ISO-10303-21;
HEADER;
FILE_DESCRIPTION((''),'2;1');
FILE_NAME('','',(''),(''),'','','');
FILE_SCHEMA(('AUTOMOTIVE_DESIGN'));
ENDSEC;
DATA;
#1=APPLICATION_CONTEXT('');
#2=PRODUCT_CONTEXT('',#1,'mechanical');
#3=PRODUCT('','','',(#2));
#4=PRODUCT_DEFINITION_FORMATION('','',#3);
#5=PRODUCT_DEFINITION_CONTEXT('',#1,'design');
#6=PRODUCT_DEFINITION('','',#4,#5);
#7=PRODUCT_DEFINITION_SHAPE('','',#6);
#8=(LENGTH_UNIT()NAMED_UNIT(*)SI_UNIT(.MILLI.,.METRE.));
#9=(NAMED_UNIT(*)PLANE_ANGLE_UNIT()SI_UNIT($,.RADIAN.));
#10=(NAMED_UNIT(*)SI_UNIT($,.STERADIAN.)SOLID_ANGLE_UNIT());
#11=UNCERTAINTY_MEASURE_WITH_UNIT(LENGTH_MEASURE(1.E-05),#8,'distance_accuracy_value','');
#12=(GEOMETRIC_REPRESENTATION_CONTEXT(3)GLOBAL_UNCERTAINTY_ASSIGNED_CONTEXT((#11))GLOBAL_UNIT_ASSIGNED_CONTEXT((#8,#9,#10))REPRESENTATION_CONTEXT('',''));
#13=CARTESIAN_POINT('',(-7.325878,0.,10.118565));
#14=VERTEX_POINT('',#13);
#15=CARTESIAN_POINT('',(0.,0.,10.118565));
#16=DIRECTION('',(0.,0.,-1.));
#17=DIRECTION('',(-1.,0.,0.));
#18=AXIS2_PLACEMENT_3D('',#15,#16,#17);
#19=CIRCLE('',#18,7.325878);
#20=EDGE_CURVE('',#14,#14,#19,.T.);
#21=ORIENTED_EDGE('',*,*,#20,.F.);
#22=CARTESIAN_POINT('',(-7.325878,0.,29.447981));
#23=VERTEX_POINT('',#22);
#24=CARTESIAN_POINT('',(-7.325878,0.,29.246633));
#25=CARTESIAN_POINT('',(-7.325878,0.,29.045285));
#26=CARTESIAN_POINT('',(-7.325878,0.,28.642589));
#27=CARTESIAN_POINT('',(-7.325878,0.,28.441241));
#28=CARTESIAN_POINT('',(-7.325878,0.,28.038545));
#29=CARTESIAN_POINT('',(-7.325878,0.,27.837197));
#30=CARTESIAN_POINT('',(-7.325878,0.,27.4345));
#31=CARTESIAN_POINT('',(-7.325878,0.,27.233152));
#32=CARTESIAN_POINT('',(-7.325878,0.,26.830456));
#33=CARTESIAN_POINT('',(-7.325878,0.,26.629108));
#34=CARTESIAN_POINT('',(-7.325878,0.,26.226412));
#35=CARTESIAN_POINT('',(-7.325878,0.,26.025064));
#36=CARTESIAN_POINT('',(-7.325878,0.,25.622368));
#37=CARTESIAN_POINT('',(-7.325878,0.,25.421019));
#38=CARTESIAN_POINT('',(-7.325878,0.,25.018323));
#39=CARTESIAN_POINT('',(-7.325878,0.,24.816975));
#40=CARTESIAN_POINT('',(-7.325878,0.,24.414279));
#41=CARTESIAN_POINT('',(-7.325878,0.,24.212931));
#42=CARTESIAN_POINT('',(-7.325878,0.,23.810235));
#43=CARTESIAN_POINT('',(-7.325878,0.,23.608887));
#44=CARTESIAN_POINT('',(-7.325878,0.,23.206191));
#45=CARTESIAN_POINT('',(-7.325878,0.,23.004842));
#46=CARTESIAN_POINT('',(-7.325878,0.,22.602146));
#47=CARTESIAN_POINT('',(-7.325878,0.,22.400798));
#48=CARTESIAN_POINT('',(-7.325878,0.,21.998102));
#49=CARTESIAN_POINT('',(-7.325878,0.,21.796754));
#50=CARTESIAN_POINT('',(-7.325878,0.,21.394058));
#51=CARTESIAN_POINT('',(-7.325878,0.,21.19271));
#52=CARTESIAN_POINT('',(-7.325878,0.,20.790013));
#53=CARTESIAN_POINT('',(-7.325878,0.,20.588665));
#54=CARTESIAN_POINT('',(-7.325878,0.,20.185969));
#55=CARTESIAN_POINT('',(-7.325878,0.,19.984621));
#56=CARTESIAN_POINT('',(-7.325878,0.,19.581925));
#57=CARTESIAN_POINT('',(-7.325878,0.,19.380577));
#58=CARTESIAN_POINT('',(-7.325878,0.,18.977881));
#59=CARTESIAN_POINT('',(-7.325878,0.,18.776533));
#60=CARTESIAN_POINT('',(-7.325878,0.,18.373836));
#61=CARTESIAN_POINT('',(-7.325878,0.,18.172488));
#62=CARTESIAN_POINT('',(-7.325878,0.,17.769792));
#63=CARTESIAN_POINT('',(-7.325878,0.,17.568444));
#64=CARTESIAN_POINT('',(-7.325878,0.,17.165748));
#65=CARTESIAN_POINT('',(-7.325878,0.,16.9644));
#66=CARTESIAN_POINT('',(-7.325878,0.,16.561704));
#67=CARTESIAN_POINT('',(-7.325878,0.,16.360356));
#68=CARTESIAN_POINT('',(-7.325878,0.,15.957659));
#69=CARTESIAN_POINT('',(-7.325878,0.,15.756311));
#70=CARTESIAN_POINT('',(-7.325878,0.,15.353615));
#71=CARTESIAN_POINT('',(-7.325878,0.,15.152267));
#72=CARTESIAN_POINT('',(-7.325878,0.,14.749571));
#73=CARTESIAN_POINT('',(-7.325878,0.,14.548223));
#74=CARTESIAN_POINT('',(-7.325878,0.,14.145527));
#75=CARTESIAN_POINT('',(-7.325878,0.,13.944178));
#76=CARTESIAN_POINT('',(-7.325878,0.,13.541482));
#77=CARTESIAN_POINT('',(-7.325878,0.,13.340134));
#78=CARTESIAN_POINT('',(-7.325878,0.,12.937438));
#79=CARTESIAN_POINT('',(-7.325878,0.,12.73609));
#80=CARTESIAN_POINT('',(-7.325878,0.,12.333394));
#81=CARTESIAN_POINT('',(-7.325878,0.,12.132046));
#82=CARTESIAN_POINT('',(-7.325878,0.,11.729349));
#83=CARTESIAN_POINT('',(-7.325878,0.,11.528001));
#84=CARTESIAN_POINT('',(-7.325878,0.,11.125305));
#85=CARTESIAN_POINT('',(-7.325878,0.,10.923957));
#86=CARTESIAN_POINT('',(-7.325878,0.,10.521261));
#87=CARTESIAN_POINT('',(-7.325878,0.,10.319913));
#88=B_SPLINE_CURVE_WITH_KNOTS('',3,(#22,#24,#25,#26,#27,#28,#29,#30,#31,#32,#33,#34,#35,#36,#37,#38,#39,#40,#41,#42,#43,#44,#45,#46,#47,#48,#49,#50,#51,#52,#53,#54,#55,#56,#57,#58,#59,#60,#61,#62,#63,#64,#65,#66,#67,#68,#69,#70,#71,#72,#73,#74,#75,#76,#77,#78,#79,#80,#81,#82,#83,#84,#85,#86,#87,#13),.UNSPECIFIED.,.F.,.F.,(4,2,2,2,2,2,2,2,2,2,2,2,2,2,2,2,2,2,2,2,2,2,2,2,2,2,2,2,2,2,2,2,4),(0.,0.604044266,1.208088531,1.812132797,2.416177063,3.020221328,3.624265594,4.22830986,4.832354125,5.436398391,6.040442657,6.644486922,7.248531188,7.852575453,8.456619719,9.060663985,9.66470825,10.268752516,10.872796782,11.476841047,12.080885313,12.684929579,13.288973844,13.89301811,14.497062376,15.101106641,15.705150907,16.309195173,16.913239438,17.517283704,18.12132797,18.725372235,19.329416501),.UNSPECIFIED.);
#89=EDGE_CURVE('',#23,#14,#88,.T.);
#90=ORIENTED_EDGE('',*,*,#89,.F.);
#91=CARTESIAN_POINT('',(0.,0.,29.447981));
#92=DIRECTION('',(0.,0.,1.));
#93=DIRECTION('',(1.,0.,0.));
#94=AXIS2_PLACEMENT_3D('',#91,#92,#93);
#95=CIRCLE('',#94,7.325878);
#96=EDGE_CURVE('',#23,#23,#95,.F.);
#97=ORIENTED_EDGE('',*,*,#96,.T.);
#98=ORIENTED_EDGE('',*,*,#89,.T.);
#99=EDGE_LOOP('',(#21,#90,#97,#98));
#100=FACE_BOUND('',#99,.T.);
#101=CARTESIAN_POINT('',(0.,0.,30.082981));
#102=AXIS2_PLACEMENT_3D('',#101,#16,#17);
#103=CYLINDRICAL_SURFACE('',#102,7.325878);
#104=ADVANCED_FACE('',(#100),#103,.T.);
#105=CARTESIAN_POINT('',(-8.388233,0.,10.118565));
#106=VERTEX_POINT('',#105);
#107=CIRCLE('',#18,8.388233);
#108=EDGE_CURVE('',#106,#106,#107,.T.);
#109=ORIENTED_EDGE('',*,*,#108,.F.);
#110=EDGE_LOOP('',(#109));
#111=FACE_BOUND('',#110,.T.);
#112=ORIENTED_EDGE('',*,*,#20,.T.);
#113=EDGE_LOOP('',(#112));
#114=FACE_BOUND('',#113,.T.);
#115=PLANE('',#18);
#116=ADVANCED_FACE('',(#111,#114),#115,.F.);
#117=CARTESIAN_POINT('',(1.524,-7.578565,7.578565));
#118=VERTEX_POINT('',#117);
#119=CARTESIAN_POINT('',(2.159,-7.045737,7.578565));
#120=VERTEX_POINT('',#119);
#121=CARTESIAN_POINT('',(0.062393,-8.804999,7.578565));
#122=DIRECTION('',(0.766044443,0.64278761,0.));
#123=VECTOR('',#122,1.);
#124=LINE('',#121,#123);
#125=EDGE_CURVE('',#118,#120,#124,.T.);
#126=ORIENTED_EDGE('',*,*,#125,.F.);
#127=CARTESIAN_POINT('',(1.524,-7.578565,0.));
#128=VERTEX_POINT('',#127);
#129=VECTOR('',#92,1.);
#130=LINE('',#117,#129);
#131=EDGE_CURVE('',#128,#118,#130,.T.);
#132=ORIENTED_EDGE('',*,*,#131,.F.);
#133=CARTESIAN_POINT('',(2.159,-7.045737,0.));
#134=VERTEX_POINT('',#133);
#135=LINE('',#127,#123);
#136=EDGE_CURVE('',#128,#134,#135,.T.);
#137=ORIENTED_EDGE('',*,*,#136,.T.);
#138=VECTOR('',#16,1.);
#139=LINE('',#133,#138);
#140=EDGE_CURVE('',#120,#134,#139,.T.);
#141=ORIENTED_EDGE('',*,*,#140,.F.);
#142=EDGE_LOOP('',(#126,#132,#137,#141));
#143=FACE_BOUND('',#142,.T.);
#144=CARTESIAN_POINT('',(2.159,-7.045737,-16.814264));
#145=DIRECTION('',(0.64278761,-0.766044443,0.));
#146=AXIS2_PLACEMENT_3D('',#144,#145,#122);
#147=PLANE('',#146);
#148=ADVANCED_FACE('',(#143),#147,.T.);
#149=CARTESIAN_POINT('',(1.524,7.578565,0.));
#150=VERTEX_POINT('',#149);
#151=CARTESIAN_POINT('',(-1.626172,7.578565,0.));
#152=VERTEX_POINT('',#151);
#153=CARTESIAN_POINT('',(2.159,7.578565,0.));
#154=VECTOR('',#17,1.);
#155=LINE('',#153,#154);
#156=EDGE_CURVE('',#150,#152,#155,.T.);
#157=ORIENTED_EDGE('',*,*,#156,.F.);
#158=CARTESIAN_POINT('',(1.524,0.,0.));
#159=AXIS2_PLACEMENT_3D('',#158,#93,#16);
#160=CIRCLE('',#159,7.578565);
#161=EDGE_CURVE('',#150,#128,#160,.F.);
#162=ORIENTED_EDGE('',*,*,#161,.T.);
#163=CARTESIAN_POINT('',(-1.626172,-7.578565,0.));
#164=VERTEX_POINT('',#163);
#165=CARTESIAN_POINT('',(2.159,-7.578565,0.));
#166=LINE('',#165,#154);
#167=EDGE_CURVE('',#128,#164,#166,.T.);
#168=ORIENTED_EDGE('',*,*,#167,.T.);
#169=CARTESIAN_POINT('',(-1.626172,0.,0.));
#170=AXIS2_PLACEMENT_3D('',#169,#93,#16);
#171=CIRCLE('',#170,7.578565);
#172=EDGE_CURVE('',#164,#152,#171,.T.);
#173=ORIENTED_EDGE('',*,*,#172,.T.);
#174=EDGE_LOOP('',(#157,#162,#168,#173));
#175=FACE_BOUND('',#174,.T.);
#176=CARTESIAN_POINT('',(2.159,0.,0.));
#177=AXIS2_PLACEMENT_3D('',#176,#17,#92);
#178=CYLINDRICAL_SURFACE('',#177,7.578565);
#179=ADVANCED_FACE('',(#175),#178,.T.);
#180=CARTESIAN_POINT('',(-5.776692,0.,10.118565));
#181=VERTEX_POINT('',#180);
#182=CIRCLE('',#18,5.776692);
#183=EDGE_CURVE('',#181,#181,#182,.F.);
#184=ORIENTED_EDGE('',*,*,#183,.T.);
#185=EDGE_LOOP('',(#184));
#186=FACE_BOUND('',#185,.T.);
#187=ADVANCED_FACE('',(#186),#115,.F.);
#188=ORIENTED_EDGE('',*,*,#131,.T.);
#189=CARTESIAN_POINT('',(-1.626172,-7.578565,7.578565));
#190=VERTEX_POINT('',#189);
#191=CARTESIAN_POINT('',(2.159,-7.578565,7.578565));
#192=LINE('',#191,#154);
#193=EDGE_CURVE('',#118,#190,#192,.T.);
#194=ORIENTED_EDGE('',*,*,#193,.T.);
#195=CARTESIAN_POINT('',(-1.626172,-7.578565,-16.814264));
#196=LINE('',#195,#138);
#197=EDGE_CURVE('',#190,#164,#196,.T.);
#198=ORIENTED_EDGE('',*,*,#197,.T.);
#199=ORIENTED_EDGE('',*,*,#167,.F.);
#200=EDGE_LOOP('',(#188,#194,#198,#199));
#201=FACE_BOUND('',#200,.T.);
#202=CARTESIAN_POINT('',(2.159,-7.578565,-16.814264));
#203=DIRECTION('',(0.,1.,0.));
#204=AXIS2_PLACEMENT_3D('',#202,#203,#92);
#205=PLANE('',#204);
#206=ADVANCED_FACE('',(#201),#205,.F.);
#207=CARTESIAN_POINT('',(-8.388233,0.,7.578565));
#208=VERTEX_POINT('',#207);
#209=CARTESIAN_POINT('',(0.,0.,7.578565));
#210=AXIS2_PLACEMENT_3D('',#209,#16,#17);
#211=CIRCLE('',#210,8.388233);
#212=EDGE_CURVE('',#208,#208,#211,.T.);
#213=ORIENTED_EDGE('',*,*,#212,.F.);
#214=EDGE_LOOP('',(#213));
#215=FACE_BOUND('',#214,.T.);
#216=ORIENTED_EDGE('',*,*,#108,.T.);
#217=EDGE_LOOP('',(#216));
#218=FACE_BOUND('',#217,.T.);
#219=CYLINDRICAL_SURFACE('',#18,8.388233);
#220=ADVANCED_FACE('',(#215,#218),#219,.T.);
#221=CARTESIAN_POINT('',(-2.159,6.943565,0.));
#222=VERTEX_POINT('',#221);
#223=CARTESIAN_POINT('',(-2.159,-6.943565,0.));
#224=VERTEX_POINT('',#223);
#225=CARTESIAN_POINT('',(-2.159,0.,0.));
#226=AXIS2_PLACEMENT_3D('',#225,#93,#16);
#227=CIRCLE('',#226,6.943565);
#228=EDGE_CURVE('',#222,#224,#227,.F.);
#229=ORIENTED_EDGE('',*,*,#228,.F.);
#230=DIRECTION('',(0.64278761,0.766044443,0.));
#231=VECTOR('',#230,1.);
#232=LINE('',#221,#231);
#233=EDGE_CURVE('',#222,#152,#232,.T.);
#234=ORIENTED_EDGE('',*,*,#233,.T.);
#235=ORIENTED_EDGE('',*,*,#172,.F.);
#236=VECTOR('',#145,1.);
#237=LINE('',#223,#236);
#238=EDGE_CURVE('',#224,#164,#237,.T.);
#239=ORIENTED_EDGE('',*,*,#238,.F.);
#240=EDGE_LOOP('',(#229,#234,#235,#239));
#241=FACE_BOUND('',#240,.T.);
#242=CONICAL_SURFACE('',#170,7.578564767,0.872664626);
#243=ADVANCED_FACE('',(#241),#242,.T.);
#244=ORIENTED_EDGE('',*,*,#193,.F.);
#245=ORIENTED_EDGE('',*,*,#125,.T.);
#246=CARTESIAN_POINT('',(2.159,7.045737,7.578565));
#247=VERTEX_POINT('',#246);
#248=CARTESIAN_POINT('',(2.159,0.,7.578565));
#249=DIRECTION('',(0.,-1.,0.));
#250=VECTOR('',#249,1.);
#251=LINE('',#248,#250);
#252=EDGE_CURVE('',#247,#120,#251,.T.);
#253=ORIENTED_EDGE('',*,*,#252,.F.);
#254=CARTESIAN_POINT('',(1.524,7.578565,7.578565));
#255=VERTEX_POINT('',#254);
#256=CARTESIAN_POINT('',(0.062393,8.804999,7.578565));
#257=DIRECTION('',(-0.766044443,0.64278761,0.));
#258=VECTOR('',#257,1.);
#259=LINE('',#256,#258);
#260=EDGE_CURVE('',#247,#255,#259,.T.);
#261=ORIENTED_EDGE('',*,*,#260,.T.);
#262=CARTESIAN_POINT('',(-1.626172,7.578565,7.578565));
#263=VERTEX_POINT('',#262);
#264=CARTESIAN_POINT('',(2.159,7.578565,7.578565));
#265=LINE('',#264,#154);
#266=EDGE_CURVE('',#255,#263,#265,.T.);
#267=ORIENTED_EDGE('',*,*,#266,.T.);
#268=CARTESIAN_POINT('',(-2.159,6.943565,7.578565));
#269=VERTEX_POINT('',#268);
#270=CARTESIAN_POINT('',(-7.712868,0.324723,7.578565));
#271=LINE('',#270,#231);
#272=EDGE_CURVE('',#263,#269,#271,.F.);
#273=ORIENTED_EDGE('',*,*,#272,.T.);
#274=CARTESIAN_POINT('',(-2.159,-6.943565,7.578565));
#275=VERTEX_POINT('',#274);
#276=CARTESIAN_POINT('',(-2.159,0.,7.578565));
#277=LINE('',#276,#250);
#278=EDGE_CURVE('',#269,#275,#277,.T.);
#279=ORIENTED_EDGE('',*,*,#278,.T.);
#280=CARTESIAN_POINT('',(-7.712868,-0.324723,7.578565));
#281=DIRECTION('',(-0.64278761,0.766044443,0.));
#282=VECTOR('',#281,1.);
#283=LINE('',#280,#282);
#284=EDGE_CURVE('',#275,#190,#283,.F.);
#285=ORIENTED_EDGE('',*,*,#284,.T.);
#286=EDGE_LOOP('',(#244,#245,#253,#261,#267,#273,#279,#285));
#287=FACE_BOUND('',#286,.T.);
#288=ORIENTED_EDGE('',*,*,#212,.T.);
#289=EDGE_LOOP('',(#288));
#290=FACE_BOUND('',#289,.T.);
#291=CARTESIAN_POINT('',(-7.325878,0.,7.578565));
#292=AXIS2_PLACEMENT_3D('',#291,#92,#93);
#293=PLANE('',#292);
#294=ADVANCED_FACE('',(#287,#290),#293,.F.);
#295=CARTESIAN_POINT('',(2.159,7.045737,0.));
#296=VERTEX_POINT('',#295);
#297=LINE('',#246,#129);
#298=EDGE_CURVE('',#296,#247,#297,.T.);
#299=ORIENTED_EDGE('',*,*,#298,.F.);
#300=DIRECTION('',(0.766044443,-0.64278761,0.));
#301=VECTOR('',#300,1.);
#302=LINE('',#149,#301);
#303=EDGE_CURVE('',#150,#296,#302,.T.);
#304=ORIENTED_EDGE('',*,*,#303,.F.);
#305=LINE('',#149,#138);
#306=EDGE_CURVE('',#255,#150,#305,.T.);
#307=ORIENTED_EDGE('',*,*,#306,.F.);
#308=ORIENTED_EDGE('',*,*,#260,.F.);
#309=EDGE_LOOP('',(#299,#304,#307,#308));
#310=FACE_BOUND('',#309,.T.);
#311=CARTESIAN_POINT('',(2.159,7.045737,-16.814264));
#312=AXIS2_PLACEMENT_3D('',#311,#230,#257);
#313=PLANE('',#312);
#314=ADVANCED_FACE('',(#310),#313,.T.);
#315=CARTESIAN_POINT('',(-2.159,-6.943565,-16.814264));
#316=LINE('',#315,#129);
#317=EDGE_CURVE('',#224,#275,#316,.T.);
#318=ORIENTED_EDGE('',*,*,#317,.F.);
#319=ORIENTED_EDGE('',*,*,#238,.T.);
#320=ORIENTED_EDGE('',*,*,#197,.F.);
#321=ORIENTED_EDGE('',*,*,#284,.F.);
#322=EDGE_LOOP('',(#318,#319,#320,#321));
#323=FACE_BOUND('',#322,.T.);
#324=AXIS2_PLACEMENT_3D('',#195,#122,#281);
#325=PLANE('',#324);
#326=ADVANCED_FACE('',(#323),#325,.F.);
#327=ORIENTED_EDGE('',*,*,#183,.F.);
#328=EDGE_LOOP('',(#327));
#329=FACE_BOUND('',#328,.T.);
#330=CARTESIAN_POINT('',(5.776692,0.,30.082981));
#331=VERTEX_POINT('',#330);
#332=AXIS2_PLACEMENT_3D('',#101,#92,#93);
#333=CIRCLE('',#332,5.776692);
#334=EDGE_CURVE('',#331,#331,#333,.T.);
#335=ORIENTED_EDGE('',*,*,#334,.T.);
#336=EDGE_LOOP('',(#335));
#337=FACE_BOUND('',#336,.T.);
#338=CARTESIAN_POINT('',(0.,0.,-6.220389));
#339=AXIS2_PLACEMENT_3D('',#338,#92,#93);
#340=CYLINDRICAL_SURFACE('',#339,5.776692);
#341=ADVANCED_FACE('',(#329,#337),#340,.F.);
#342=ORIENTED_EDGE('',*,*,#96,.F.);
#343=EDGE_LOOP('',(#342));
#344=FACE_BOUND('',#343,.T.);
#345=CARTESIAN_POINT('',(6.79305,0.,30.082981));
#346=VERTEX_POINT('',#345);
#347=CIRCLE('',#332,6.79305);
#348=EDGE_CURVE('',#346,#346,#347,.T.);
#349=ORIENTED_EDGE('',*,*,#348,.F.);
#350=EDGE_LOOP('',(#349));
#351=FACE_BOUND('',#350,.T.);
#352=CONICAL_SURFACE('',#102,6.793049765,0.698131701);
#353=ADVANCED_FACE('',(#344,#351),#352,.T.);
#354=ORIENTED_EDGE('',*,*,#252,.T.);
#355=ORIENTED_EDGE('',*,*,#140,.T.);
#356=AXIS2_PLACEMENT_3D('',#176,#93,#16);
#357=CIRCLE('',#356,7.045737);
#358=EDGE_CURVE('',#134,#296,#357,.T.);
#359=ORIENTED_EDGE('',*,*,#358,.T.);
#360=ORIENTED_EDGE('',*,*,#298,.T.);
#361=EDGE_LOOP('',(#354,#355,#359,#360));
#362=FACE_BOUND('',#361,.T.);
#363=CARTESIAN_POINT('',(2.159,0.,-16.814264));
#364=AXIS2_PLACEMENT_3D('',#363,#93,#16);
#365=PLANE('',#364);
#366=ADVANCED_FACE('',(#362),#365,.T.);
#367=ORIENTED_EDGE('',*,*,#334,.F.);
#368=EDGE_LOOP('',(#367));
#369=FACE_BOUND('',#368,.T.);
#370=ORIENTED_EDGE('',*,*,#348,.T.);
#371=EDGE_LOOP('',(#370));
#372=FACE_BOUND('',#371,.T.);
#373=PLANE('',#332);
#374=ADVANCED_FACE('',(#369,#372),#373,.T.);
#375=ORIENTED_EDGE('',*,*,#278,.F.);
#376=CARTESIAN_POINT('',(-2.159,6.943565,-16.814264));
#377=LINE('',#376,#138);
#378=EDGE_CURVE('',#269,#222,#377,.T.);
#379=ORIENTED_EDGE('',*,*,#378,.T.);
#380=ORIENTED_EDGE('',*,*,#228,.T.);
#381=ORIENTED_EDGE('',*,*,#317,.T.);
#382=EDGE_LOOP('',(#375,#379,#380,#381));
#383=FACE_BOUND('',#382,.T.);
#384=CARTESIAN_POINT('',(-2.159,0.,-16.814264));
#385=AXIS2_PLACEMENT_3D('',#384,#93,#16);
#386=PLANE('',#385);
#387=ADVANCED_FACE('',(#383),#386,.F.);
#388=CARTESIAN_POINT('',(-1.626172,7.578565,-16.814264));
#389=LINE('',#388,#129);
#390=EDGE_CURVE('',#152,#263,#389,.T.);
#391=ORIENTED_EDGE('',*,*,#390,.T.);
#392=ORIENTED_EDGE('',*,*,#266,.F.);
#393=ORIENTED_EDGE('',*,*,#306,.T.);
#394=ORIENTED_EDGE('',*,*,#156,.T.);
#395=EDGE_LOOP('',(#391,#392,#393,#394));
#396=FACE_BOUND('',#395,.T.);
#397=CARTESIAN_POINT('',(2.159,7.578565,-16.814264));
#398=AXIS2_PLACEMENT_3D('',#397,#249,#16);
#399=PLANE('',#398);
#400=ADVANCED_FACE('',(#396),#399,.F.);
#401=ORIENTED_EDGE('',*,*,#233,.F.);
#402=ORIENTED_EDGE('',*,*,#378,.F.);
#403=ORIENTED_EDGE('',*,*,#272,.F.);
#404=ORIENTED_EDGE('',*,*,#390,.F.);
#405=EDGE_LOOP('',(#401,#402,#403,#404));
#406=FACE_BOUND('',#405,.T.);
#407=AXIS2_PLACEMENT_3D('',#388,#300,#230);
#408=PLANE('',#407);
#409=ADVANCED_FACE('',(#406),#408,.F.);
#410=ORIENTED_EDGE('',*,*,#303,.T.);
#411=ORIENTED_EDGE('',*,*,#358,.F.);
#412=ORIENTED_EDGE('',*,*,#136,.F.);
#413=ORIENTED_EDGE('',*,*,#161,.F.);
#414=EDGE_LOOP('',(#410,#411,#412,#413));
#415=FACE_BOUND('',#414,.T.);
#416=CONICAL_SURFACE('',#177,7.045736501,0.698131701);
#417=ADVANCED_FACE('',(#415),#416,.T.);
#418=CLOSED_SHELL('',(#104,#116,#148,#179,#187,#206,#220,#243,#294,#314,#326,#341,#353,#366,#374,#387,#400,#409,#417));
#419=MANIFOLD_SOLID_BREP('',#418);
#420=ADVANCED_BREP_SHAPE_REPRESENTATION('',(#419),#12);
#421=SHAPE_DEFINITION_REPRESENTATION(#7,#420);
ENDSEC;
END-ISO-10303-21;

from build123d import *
from OCP.BRepFilletAPI import BRepFilletAPI_MakeChamfer

# Parameters (mm, degrees)
SKETCH1_R           = 7.325878031
EXTRUDE1_DEPTH      = 30.082981268
EXTRUDE4_DEPTH      = 32.817019656
EXTRUDE4_DEPTH_BACK = 32.817019656
SKETCH2_R           = 7.578564767
SKETCH2_5_R         = 7.578564767
EXTRUDE5_DEPTH      = 2.159
SKETCH3_R           = 8.388232563
EXTRUDE6_DEPTH      = 2.54
CHAMFER1_SIZE       = 0.635
CHAMFER1_SIZE2      = 0.532828266
CHAMFER2_SIZE       = 0.635
CHAMFER2_SIZE2      = 0.532828266
SKETCH4_R           = 5.776692344
EXTRUDE7_DEPTH      = 19.964416501


with BuildPart() as part:
    # Sketch1 → Extrude1 (new body)
    with BuildSketch(Plane.XY):
        with Locations(Location((0, 0, 0), (0, 0, 180))):
            Circle(SKETCH1_R)
    extrude(amount=EXTRUDE1_DEPTH)

    # Sketch2 → Extrude4 (cut, two sides: drawn at the far end of the back side and taken through both)
    with BuildSketch(Plane(origin=(0, 0, 0), x_dir=(0, 0, -1), z_dir=(1, 0, 0)).offset(-EXTRUDE4_DEPTH_BACK)):
        Circle(SKETCH2_R)
        with BuildLine():
            ThreePointArc((-7.578564767, 0), (-5.358854538, 5.358854538), (0, 7.578564767))
            Line((0, 7.578564767), (-7.578564767, 7.578564767))
            Line((-7.578564767, 7.578564767), (-7.578564767, 0))
        make_face()
        with BuildLine():
            ThreePointArc((0, -7.578564767), (-5.358854538, -5.358854538), (-7.578564767, 0))
            Line((-7.578564767, 0), (-7.578564767, -7.578564767))
            Line((-7.578564767, -7.578564767), (0, -7.578564767))
        make_face()
    extrude(amount=EXTRUDE4_DEPTH + EXTRUDE4_DEPTH_BACK, mode=Mode.SUBTRACT)

    # Sketch2<5> → Extrude5 (add, symmetric)
    with BuildSketch(Plane(origin=(0, 0, 0), x_dir=(0, 0, -1), z_dir=(1, 0, 0))):
        with BuildLine():
            ThreePointArc((-7.578564767, 0), (-5.358854538, 5.358854538), (0, 7.578564767))
            Line((0, 7.578564767), (-7.578564767, 7.578564767))
            Line((-7.578564767, 7.578564767), (-7.578564767, 0))
        make_face()
        Circle(SKETCH2_5_R)
        with BuildLine():
            ThreePointArc((0, -7.578564767), (-5.358854538, -5.358854538), (-7.578564767, 0))
            Line((-7.578564767, 0), (-7.578564767, -7.578564767))
            Line((-7.578564767, -7.578564767), (0, -7.578564767))
        make_face()
    extrude(amount=EXTRUDE5_DEPTH, both=True)

    # Sketch3 → Extrude6 (add)
    with BuildSketch(Plane(origin=(0, 0, 7.578564767), x_dir=(-1, 0, 0), z_dir=(0, 0, -1))):
        Circle(SKETCH3_R)
    extrude(amount=-EXTRUDE6_DEPTH)

    # Chamfer1: one chamfer whose edges measure the first distance from different faces: ONE call of the kernel's chamfer builder (chamfer() names one face for all edges)
    chamfer1_edges_1 = [part.edges().sort_by_distance(p)[0] for p in [
        (-2.159, -7.578564767, 3.789282384),
        (-2.159, 0, -7.578564767),
        (-2.159, 7.578564767, 3.789282384),
    ]]
    chamfer1_side_1 = [part.faces().sort_by_distance(p)[0] for p in [
        (-2.159, 0, 0.707457952),
    ]]
    chamfer1_edges_2 = [part.edges().sort_by_distance(p)[0] for p in [
        (2.159, -7.578564767, 3.789282384),
    ]]
    chamfer1_side_2 = [part.faces().sort_by_distance(p)[0] for p in [
        (0, -7.578564767, 3.789282384),
    ]]
    chamfer1_edges_3 = [part.edges().sort_by_distance(p)[0] for p in [
        (2.159, 0, -7.578564767),
    ]]
    chamfer1_side_3 = [part.faces().sort_by_distance(p)[0] for p in [
        (0, 0, -7.578564767),
    ]]
    chamfer1_edges_4 = [part.edges().sort_by_distance(p)[0] for p in [
        (2.159, 7.578564767, 3.789282384),
    ]]
    chamfer1_side_4 = [part.faces().sort_by_distance(p)[0] for p in [
        (0, 7.578564767, 3.789282384),
    ]]
    chamfer1 = BRepFilletAPI_MakeChamfer(part.part.solid().wrapped)
    for e in chamfer1_edges_1:
        chamfer1.Add(CHAMFER1_SIZE, CHAMFER1_SIZE2, e.wrapped, chamfer1_side_1[0].wrapped)  # the first distance lies on this face
    for e in chamfer1_edges_2:
        chamfer1.Add(CHAMFER1_SIZE, CHAMFER1_SIZE2, e.wrapped, chamfer1_side_2[0].wrapped)  # the first distance lies on this face
    for e in chamfer1_edges_3:
        chamfer1.Add(CHAMFER1_SIZE, CHAMFER1_SIZE2, e.wrapped, chamfer1_side_3[0].wrapped)  # the first distance lies on this face
    for e in chamfer1_edges_4:
        chamfer1.Add(CHAMFER1_SIZE, CHAMFER1_SIZE2, e.wrapped, chamfer1_side_4[0].wrapped)  # the first distance lies on this face
    add(Compound.cast(chamfer1.Shape()), mode=Mode.REPLACE)

    # Chamfer2
    chamfer2_edges = [part.edges().sort_by_distance(p)[0] for p in [
        (7.325878031, 0, 30.082981268),
    ]]
    chamfer2_side = [part.faces().sort_by_distance(p)[0] for p in [
        (7.325878031, 0, 20.100773018),
    ]]
    chamfer(chamfer2_edges, length=CHAMFER2_SIZE, length2=CHAMFER2_SIZE2, reference=chamfer2_side[0])

    # Sketch4 → Extrude7 (cut)
    with BuildSketch(Plane.XY.offset(30.082981268)):
        Circle(SKETCH4_R)
    extrude(amount=-EXTRUDE7_DEPTH, mode=Mode.SUBTRACT)


solid = part.part
